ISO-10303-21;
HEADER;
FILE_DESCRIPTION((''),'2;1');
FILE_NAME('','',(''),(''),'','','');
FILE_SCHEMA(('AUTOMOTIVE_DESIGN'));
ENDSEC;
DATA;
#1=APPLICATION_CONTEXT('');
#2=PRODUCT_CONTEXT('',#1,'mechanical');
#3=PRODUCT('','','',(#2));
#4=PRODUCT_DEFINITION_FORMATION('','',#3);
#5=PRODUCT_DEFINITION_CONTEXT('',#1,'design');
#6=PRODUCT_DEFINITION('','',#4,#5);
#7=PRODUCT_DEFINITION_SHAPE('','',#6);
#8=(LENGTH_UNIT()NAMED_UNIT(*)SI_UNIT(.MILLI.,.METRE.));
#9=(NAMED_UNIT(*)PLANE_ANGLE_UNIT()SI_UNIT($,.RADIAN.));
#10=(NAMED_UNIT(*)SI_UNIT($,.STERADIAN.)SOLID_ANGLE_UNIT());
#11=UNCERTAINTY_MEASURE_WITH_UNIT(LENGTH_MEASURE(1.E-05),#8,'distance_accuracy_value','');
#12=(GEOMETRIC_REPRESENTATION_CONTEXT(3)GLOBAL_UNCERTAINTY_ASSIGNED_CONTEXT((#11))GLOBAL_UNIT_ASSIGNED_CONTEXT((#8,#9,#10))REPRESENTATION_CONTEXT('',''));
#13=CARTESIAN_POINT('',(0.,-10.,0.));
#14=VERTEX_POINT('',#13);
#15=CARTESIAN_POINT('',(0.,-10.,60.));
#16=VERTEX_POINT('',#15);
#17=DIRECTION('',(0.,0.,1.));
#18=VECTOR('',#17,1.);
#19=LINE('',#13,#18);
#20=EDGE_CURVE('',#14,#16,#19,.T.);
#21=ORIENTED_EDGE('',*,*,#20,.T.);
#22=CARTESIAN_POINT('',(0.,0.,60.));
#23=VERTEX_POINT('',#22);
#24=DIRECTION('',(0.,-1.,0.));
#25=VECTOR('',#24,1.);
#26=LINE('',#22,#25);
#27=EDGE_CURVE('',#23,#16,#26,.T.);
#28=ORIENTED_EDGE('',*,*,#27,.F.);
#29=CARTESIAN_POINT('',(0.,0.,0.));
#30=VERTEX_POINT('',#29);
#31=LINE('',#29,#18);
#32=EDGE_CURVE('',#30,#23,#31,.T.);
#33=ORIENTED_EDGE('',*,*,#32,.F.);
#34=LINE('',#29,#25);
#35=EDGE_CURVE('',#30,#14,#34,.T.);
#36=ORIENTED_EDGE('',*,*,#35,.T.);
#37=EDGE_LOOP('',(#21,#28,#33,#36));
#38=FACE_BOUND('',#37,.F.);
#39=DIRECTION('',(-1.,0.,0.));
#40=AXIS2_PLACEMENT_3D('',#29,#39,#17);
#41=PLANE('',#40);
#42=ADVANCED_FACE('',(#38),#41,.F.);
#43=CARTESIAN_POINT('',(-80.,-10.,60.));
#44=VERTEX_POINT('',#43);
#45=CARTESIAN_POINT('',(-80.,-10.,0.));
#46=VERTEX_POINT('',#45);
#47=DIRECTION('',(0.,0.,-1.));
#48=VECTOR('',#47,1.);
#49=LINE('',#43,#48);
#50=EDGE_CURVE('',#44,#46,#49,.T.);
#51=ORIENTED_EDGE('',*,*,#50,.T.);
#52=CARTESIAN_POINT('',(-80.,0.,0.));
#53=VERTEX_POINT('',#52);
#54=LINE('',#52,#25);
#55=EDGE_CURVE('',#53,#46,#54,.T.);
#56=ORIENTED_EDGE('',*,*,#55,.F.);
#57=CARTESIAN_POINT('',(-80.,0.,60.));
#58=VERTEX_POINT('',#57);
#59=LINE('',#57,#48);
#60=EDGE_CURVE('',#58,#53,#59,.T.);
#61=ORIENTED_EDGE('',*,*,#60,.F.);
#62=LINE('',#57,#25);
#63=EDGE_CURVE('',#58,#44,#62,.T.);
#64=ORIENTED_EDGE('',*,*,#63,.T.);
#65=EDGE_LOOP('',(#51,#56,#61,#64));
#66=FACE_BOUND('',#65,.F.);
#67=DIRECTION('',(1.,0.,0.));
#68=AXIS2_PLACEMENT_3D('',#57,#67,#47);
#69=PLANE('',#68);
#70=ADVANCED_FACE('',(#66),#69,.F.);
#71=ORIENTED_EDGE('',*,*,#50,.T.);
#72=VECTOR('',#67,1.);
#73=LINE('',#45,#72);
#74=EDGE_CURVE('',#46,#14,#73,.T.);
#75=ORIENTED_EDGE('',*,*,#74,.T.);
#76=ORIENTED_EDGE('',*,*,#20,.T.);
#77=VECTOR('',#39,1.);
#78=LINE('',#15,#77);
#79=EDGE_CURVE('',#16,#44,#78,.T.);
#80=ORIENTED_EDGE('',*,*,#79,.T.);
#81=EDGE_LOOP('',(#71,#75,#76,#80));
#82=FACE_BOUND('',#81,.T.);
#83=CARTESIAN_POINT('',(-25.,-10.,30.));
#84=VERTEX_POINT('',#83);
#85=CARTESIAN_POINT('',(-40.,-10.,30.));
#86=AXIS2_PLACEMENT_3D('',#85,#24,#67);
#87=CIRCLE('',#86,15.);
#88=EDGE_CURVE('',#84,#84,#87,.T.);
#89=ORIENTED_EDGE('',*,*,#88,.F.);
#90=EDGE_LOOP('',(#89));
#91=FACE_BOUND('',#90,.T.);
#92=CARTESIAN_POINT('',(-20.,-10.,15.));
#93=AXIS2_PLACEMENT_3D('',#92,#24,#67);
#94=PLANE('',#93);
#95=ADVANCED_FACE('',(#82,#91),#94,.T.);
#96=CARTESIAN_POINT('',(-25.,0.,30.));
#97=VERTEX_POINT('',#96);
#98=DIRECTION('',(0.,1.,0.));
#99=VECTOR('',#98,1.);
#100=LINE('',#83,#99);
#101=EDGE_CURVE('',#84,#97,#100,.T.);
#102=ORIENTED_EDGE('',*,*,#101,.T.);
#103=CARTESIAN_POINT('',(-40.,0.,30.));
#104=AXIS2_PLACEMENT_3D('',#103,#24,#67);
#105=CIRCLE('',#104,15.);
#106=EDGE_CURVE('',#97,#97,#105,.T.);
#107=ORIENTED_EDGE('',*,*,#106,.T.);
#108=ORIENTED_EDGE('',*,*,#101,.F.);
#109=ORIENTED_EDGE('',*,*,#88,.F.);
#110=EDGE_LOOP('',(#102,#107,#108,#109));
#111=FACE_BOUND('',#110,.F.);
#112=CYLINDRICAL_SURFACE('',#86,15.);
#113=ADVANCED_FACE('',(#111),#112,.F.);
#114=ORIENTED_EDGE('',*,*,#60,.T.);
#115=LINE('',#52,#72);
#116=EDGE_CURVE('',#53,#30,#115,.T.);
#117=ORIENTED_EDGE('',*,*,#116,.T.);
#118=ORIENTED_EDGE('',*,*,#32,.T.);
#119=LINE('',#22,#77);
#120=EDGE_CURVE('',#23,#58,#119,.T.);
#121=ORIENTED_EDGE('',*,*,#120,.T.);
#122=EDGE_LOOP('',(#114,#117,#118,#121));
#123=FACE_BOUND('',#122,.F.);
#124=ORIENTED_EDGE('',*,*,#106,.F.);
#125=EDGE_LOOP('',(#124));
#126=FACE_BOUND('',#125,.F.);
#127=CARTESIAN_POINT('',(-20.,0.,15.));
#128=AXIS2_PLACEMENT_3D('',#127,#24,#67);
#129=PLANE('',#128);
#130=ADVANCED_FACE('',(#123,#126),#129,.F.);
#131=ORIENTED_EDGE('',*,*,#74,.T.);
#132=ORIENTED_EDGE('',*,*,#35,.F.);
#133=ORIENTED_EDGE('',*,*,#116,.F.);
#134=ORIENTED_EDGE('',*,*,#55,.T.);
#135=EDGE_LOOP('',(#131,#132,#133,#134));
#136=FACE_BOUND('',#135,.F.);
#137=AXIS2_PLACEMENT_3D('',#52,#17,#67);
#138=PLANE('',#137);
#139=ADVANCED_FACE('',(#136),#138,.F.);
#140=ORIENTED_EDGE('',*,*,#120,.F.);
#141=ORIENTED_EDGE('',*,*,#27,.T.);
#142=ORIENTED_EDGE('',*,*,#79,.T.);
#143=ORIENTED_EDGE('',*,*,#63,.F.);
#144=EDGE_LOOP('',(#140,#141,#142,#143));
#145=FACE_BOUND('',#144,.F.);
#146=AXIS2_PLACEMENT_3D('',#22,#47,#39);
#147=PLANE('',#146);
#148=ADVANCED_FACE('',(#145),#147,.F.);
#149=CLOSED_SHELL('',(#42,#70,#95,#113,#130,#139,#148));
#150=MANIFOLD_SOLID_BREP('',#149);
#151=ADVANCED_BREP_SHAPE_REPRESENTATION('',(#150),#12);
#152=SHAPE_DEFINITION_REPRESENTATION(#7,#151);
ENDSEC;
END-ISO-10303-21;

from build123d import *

# Parameters (mm, degrees)
F0_W     = 40
F0_H     = 30
F1_DEPTH = 10
F2_R     = 15
F3_DEPTH = 10.001


with BuildPart() as f1:
    # F0 (on Front) → F1 (new body)
    with BuildSketch(Plane.XZ):
        with Locations((-20, 15)):
            Rectangle(F0_W, F0_H)
        with Locations((-60, 15)):
            Rectangle(F0_W, F0_H)
        with Locations((-20, 45)):
            Rectangle(F0_W, F0_H)
        with Locations((-60, 45)):
            Rectangle(F0_W, F0_H)
    extrude(amount=F1_DEPTH)

    # F2 (on face) → F3 (cut, through all)
    with BuildSketch(Plane.XZ.offset(10)):
        with Locations((-40, 30)):
            Circle(F2_R)
    extrude(amount=-F3_DEPTH, mode=Mode.SUBTRACT)


solid = f1.part
